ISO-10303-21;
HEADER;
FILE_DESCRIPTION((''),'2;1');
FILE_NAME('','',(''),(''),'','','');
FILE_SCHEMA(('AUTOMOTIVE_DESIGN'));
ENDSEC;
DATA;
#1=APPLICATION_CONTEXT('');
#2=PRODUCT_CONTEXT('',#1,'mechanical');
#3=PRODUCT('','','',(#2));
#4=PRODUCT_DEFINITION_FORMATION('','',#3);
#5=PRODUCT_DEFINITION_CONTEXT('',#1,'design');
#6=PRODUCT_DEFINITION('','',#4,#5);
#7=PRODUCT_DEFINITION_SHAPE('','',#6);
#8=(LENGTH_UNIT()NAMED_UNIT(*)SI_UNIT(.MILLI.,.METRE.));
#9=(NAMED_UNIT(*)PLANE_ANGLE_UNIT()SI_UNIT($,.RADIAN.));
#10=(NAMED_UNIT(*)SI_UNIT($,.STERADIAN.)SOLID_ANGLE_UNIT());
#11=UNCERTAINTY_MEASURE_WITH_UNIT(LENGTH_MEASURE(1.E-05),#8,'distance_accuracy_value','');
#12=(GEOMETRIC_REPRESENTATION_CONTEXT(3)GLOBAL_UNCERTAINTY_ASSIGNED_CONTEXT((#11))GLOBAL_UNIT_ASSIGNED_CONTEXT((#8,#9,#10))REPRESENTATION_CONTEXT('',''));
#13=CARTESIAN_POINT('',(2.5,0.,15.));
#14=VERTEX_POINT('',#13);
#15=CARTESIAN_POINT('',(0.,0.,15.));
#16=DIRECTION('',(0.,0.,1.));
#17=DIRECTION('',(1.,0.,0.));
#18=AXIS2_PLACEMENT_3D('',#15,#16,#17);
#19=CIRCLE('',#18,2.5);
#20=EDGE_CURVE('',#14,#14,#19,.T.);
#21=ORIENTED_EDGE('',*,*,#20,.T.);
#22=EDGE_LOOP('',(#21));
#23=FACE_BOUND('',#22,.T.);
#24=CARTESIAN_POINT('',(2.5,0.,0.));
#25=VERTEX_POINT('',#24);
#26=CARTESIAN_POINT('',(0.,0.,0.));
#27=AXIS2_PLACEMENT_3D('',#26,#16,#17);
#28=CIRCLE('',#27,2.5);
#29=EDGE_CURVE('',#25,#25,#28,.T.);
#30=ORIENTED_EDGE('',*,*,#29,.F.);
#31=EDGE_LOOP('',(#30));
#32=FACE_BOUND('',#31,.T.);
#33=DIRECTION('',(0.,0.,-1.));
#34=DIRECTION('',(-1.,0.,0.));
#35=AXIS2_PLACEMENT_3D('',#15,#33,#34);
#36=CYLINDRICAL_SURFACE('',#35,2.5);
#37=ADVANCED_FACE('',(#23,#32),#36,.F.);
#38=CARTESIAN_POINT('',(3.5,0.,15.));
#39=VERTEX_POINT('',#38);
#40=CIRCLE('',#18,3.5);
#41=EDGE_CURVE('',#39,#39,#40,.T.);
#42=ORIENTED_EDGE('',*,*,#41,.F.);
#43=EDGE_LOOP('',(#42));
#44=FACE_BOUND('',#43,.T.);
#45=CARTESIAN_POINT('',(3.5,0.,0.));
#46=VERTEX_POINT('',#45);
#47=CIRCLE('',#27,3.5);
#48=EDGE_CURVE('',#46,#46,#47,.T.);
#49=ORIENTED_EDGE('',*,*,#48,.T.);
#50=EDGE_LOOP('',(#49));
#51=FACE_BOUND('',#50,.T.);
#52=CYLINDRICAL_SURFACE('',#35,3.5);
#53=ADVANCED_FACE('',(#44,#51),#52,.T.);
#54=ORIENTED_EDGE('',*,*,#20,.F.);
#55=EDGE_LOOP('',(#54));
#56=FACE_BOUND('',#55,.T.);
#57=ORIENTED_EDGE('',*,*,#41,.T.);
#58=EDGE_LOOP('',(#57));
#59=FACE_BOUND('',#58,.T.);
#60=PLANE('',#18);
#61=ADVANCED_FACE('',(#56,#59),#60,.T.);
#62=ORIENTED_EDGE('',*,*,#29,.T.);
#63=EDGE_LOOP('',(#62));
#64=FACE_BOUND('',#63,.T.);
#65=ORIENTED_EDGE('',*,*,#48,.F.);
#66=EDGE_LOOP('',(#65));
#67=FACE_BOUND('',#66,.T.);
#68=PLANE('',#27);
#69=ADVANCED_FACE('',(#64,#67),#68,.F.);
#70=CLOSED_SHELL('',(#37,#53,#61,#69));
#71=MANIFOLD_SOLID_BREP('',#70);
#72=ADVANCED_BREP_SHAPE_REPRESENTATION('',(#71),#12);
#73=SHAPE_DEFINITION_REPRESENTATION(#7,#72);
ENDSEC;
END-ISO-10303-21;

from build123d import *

# Parameters (mm, degrees)
SKETCH1_R           = 3.5
SKETCH1_R_2         = 2.5
BOSS_EXTRUDE1_DEPTH = 15


with BuildPart() as part:
    # Sketch1 → Boss-Extrude1 (new body)
    with BuildSketch(Plane.XY):
        Circle(SKETCH1_R)
        Circle(SKETCH1_R_2, mode=Mode.SUBTRACT)
    extrude(amount=BOSS_EXTRUDE1_DEPTH)


solid = part.part
